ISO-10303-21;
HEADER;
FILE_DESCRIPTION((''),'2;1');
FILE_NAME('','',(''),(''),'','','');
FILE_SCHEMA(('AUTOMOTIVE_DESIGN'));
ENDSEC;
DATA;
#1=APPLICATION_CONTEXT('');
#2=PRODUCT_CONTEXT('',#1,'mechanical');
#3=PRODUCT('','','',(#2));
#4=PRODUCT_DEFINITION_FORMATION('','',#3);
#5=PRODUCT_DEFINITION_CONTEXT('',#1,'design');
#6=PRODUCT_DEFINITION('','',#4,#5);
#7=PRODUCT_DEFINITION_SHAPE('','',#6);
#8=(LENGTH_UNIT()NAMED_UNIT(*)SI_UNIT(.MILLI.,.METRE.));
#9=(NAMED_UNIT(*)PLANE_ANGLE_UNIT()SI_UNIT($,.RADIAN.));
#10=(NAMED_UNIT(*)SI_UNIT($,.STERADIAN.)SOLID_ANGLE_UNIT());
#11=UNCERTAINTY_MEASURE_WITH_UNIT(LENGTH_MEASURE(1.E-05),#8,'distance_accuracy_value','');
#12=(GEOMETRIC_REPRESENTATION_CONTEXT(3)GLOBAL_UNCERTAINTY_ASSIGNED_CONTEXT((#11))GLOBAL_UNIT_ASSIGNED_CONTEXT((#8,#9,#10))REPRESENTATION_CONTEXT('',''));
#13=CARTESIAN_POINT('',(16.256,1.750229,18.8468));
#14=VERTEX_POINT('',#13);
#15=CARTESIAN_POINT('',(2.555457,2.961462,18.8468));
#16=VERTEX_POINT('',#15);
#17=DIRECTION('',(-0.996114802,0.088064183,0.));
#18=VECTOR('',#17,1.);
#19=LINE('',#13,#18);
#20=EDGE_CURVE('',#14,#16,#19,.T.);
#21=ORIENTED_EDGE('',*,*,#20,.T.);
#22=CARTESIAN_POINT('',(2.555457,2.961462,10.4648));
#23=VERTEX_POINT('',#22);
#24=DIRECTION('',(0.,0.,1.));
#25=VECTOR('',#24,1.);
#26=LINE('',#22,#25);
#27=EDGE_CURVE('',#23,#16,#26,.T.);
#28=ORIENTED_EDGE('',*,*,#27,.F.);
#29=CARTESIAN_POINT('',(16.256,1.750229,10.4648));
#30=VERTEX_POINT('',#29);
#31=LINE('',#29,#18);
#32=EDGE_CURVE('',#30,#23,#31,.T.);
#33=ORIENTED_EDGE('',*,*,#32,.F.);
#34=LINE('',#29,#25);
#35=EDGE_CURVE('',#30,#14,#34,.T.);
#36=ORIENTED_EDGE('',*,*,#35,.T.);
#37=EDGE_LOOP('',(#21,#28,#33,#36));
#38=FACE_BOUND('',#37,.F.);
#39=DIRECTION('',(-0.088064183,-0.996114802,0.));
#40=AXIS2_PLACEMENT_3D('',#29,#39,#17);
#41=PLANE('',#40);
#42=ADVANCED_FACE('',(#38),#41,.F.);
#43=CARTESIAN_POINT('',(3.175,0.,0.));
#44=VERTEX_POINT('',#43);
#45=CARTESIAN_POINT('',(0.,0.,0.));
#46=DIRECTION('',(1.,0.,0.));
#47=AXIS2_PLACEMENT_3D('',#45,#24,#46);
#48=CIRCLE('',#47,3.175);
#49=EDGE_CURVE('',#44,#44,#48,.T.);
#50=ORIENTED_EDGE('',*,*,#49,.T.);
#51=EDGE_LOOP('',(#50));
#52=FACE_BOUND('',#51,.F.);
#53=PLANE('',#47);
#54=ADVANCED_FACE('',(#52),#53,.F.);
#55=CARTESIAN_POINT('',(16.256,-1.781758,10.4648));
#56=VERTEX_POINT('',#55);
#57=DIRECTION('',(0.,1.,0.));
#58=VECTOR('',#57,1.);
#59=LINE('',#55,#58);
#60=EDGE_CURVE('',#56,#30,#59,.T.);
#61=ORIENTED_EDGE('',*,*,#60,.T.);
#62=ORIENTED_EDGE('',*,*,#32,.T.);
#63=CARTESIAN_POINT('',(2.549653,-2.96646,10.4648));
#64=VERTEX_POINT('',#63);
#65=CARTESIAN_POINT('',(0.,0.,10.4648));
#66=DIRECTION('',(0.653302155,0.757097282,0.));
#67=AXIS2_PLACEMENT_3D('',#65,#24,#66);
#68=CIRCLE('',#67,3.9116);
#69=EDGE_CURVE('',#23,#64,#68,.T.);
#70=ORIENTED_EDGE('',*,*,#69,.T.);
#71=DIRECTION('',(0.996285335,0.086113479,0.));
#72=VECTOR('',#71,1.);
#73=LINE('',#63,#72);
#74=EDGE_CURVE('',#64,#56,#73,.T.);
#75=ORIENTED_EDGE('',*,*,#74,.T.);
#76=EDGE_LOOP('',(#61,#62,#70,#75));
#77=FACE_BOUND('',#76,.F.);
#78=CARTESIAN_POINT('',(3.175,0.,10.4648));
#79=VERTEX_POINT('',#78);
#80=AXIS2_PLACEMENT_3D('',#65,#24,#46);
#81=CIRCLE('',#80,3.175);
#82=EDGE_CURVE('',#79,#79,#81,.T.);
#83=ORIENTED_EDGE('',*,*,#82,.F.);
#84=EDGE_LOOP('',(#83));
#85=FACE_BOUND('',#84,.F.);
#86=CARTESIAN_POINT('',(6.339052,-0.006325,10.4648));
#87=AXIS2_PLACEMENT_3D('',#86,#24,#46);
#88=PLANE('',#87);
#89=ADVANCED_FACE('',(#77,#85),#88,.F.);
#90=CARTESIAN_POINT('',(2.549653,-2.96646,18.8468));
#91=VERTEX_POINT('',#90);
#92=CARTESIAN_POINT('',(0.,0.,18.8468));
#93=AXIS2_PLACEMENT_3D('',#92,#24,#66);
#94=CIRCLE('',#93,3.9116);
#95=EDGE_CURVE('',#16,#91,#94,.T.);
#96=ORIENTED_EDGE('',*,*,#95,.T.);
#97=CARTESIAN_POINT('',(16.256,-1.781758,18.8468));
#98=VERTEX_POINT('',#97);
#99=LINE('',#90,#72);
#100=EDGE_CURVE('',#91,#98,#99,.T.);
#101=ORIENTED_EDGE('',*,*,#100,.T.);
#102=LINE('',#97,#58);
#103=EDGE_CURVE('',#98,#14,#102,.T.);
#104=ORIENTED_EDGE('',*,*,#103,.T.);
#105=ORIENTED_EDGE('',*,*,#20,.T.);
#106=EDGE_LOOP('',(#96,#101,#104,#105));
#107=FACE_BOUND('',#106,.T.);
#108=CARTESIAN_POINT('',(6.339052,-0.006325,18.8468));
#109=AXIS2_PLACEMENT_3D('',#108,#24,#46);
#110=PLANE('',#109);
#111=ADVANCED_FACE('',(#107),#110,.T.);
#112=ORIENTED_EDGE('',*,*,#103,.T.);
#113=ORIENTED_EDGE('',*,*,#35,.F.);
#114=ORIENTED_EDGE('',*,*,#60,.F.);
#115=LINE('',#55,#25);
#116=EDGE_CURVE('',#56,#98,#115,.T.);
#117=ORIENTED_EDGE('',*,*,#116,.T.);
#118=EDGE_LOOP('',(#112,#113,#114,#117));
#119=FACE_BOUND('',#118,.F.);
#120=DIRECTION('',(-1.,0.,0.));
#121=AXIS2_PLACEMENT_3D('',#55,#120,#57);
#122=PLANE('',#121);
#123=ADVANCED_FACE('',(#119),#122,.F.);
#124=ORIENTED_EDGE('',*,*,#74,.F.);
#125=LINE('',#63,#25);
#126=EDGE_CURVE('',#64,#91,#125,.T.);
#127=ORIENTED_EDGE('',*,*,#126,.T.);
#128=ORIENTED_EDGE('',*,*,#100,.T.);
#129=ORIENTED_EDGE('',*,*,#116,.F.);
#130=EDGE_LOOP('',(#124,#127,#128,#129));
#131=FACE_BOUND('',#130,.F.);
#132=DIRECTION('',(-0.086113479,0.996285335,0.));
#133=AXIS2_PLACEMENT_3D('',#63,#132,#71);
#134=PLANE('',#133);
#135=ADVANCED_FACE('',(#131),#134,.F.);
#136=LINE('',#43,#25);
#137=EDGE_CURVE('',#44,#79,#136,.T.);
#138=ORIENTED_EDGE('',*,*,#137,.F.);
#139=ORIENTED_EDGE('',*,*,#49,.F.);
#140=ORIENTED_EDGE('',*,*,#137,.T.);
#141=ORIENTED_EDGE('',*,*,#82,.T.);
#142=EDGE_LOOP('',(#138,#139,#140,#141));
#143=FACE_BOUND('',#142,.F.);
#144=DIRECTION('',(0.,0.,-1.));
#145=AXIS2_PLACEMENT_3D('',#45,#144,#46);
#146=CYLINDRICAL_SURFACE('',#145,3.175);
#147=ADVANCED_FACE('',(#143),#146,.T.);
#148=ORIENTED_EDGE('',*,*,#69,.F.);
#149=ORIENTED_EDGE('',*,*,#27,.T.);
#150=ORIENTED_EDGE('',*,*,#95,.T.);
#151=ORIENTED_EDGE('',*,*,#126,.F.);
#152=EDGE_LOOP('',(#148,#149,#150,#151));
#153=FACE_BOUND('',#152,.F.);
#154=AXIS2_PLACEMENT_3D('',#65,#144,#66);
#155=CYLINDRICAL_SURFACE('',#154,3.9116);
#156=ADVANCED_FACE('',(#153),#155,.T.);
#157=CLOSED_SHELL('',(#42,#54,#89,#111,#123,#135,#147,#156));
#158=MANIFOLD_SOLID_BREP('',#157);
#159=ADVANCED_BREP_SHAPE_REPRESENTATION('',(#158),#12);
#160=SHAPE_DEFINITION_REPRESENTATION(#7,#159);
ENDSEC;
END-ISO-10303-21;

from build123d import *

# Parameters (mm, degrees)
F0_R     = 3.175
F1_DEPTH = 10.4648
F3_DEPTH = 8.382


with BuildPart() as f1:
    # F0 (on Top) → F1 (new body)
    with BuildSketch(Plane.XY):
        Circle(F0_R)
    extrude(amount=F1_DEPTH)

    # F2 (on face) → F3 (join)
    with BuildSketch(Plane.XY.offset(10.4648)):
        with BuildLine():
            Line((16.256, 1.750229), (2.555457, 2.961462))
            ThreePointArc((2.555457, 2.961462), (-3.911598, 0.00383), (2.549653, -2.96646))
            Line((2.549653, -2.96646), (16.256, -1.781758))
            Line((16.256, -1.781758), (16.256, 0))
            Line((16.256, 0), (16.256, 1.750229))
        make_face()
    extrude(amount=F3_DEPTH)


solid = f1.part
